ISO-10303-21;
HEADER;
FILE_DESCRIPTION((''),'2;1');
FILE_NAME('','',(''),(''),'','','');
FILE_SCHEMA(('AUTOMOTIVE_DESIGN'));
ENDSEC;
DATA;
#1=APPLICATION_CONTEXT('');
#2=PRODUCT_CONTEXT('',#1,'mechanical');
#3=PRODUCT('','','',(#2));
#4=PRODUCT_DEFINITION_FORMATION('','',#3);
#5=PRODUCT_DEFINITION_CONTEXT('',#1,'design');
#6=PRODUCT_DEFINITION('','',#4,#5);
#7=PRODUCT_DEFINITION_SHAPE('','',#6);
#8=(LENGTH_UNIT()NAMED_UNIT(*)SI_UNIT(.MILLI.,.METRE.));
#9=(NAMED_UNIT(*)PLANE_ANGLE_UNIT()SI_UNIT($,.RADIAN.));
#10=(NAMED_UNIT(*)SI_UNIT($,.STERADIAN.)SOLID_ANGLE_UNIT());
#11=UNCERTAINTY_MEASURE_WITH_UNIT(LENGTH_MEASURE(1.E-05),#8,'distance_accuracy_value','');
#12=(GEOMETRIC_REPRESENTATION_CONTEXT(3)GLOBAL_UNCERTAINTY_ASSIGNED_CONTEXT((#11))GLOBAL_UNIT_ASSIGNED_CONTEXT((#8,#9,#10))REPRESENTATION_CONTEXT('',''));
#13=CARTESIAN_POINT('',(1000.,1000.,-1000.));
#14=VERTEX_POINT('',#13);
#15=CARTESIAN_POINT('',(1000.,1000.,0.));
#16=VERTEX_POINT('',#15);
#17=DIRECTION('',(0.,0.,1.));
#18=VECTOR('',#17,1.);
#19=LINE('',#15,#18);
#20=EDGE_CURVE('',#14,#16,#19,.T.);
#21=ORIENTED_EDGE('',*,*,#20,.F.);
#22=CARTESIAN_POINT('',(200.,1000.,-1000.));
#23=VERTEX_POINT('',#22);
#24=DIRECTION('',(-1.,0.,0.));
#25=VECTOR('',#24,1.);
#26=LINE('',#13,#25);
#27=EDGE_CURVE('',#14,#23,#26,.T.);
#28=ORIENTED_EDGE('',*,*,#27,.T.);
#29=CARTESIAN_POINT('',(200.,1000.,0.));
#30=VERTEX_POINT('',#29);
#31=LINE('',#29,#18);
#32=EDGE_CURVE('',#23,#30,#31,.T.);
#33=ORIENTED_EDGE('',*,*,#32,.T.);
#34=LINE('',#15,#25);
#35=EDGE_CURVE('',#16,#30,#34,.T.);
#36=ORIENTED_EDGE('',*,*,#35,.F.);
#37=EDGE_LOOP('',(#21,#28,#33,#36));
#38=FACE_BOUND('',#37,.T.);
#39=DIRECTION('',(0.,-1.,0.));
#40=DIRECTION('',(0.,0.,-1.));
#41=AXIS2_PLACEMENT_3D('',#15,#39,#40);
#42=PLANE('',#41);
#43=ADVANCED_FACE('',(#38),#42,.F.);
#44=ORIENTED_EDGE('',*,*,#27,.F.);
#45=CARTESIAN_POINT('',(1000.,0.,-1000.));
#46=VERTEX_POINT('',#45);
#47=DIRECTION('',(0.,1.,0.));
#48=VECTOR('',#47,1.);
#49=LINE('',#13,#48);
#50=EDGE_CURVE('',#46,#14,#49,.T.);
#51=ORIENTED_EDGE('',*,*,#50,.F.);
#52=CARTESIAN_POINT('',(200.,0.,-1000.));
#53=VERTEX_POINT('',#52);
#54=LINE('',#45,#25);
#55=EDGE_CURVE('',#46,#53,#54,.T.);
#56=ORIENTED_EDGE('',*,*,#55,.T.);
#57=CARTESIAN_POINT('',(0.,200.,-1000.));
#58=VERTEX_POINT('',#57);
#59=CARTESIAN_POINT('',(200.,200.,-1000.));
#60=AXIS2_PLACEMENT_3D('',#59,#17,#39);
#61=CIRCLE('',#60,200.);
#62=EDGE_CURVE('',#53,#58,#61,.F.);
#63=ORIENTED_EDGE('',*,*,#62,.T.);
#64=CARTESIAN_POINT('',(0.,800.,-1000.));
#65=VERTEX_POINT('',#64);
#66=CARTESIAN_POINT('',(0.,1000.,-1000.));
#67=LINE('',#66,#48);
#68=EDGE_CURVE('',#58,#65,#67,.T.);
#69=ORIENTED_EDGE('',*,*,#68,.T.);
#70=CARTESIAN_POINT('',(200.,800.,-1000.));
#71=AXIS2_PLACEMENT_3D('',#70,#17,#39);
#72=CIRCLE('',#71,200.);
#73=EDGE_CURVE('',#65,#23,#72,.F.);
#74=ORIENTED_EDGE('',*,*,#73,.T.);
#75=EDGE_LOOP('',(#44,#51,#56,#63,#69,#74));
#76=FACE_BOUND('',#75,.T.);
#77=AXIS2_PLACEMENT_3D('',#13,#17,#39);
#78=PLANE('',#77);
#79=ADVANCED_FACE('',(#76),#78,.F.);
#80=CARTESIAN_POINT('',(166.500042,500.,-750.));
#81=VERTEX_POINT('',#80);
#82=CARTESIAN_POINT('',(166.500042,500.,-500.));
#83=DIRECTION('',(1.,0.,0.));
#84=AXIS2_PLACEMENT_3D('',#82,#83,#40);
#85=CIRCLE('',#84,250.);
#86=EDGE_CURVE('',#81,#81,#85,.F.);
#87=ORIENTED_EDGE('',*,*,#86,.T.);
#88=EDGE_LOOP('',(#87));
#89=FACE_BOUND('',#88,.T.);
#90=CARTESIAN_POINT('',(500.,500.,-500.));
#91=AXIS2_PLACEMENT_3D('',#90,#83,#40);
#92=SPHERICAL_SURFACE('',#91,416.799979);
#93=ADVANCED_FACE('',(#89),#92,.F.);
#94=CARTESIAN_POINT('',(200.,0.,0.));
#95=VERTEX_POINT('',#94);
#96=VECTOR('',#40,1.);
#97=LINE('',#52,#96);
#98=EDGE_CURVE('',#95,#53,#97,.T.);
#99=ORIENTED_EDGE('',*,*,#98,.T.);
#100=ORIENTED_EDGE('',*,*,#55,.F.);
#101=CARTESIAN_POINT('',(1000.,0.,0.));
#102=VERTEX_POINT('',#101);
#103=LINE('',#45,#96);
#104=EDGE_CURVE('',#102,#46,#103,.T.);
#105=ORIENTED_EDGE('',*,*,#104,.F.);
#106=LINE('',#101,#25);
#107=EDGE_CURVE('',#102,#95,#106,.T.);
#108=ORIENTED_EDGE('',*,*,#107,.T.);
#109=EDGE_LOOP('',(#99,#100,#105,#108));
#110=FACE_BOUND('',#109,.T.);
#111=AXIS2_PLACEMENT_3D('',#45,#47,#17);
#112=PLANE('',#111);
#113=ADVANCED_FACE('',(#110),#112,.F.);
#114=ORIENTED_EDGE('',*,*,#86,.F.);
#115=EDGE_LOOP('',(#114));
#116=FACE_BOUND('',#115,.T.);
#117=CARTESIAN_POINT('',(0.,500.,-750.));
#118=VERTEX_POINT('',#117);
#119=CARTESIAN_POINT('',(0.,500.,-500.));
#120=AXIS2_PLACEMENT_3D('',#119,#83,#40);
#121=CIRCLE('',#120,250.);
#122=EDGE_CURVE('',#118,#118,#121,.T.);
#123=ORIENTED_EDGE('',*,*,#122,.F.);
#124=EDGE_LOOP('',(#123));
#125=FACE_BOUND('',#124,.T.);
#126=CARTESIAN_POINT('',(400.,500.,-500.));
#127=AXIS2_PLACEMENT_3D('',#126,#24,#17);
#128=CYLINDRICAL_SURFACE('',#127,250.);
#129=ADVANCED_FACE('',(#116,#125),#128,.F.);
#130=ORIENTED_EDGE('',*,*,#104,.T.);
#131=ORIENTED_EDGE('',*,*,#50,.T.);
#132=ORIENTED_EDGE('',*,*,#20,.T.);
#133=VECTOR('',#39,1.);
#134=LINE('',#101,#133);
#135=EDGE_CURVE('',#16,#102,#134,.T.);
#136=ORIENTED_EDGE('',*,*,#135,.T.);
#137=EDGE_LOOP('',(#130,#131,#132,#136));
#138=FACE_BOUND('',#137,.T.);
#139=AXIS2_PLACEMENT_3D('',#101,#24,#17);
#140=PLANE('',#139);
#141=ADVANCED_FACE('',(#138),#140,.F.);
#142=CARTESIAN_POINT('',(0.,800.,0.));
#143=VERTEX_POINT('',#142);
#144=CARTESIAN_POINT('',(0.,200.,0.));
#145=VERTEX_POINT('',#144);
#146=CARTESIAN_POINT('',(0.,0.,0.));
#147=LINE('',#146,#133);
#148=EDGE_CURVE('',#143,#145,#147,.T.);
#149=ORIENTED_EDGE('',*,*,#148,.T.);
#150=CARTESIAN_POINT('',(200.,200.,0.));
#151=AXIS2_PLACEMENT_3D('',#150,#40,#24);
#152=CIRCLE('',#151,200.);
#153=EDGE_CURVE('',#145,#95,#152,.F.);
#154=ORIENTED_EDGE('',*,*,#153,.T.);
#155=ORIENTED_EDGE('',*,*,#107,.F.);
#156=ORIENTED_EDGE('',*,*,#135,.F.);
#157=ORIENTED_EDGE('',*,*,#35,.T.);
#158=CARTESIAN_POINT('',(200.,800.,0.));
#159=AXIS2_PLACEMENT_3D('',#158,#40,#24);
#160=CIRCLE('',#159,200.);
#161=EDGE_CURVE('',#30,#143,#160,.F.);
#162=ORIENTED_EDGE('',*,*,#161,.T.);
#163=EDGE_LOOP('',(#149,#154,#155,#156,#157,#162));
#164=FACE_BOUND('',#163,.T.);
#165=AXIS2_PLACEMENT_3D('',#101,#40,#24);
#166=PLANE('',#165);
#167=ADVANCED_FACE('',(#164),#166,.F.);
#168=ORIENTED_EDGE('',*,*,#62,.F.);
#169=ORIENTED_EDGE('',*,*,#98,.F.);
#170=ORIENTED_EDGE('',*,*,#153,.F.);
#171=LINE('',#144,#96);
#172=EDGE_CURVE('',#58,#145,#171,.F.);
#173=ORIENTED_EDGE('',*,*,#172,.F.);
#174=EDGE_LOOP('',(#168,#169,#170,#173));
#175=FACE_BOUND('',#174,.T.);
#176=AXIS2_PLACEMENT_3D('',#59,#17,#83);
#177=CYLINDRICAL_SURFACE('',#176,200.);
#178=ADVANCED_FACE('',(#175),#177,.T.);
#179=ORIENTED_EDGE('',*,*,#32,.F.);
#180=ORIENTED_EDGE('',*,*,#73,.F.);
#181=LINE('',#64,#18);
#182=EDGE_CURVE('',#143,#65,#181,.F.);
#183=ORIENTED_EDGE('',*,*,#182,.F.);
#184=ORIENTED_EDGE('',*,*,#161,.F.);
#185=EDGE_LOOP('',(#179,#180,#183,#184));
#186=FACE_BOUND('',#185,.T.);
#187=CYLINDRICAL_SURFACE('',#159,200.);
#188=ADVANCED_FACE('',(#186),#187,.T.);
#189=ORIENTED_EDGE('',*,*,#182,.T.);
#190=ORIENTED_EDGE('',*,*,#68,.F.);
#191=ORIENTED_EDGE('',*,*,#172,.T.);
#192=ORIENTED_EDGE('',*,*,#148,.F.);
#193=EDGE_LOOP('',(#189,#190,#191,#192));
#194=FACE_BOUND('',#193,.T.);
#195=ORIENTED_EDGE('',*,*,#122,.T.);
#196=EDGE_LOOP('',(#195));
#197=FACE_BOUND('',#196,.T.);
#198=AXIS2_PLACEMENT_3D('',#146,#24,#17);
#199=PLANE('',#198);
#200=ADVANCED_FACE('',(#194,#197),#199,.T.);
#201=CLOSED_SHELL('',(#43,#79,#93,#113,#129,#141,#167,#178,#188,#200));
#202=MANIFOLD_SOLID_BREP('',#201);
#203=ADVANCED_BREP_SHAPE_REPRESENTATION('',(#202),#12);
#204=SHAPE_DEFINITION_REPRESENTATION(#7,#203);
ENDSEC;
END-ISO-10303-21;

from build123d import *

# Parameters (mm, degrees)
SKETCH5_W           = 1000
SKETCH5_H           = 1000
BOSS_EXTRUDE2_DEPTH = 1000
SKETCH7_R           = 250
CUT_EXTRUDE2_DEPTH  = 400
FILLET1_R           = 200


with BuildPart() as part:
    # Sketch5 → Boss-Extrude2 (new body)
    with BuildSketch(Plane(origin=(0, 0, 0), x_dir=(0, 0, -1), z_dir=(1, 0, 0))):
        with Locations((500, 500)):
            Rectangle(SKETCH5_W, SKETCH5_H)
    extrude(amount=BOSS_EXTRUDE2_DEPTH)

    # Sketch6 → Cut-Revolve5 (revolve, cut)
    with BuildSketch(Plane(origin=(500, 0, 0), x_dir=(0, 0, -1), z_dir=(1, 0, 0))):
        with BuildLine():
            Line((83.20002133, 500), (916.79997867, 500))
            ThreePointArc((916.79997867, 500), (500, 916.79997867), (83.20002133, 500))
        make_face()
    revolve(axis=Axis((500, 500, -83.20002133), (0, 0, -1)), mode=Mode.SUBTRACT)

    # Sketch7 → Cut-Extrude2 (cut)
    with BuildSketch(Plane(origin=(0, 0, 0), x_dir=(0, 0, -1), z_dir=(1, 0, 0))):
        with Locations((500, 500)):
            Circle(SKETCH7_R)
    extrude(amount=CUT_EXTRUDE2_DEPTH, mode=Mode.SUBTRACT)

    # Fillet1
    fillet1_edges = [part.edges().sort_by_distance(p)[0] for p in [
        (0, 1000, -500),
        (0, 0, -500),
    ]]
    fillet(fillet1_edges, radius=FILLET1_R)


solid = part.part
